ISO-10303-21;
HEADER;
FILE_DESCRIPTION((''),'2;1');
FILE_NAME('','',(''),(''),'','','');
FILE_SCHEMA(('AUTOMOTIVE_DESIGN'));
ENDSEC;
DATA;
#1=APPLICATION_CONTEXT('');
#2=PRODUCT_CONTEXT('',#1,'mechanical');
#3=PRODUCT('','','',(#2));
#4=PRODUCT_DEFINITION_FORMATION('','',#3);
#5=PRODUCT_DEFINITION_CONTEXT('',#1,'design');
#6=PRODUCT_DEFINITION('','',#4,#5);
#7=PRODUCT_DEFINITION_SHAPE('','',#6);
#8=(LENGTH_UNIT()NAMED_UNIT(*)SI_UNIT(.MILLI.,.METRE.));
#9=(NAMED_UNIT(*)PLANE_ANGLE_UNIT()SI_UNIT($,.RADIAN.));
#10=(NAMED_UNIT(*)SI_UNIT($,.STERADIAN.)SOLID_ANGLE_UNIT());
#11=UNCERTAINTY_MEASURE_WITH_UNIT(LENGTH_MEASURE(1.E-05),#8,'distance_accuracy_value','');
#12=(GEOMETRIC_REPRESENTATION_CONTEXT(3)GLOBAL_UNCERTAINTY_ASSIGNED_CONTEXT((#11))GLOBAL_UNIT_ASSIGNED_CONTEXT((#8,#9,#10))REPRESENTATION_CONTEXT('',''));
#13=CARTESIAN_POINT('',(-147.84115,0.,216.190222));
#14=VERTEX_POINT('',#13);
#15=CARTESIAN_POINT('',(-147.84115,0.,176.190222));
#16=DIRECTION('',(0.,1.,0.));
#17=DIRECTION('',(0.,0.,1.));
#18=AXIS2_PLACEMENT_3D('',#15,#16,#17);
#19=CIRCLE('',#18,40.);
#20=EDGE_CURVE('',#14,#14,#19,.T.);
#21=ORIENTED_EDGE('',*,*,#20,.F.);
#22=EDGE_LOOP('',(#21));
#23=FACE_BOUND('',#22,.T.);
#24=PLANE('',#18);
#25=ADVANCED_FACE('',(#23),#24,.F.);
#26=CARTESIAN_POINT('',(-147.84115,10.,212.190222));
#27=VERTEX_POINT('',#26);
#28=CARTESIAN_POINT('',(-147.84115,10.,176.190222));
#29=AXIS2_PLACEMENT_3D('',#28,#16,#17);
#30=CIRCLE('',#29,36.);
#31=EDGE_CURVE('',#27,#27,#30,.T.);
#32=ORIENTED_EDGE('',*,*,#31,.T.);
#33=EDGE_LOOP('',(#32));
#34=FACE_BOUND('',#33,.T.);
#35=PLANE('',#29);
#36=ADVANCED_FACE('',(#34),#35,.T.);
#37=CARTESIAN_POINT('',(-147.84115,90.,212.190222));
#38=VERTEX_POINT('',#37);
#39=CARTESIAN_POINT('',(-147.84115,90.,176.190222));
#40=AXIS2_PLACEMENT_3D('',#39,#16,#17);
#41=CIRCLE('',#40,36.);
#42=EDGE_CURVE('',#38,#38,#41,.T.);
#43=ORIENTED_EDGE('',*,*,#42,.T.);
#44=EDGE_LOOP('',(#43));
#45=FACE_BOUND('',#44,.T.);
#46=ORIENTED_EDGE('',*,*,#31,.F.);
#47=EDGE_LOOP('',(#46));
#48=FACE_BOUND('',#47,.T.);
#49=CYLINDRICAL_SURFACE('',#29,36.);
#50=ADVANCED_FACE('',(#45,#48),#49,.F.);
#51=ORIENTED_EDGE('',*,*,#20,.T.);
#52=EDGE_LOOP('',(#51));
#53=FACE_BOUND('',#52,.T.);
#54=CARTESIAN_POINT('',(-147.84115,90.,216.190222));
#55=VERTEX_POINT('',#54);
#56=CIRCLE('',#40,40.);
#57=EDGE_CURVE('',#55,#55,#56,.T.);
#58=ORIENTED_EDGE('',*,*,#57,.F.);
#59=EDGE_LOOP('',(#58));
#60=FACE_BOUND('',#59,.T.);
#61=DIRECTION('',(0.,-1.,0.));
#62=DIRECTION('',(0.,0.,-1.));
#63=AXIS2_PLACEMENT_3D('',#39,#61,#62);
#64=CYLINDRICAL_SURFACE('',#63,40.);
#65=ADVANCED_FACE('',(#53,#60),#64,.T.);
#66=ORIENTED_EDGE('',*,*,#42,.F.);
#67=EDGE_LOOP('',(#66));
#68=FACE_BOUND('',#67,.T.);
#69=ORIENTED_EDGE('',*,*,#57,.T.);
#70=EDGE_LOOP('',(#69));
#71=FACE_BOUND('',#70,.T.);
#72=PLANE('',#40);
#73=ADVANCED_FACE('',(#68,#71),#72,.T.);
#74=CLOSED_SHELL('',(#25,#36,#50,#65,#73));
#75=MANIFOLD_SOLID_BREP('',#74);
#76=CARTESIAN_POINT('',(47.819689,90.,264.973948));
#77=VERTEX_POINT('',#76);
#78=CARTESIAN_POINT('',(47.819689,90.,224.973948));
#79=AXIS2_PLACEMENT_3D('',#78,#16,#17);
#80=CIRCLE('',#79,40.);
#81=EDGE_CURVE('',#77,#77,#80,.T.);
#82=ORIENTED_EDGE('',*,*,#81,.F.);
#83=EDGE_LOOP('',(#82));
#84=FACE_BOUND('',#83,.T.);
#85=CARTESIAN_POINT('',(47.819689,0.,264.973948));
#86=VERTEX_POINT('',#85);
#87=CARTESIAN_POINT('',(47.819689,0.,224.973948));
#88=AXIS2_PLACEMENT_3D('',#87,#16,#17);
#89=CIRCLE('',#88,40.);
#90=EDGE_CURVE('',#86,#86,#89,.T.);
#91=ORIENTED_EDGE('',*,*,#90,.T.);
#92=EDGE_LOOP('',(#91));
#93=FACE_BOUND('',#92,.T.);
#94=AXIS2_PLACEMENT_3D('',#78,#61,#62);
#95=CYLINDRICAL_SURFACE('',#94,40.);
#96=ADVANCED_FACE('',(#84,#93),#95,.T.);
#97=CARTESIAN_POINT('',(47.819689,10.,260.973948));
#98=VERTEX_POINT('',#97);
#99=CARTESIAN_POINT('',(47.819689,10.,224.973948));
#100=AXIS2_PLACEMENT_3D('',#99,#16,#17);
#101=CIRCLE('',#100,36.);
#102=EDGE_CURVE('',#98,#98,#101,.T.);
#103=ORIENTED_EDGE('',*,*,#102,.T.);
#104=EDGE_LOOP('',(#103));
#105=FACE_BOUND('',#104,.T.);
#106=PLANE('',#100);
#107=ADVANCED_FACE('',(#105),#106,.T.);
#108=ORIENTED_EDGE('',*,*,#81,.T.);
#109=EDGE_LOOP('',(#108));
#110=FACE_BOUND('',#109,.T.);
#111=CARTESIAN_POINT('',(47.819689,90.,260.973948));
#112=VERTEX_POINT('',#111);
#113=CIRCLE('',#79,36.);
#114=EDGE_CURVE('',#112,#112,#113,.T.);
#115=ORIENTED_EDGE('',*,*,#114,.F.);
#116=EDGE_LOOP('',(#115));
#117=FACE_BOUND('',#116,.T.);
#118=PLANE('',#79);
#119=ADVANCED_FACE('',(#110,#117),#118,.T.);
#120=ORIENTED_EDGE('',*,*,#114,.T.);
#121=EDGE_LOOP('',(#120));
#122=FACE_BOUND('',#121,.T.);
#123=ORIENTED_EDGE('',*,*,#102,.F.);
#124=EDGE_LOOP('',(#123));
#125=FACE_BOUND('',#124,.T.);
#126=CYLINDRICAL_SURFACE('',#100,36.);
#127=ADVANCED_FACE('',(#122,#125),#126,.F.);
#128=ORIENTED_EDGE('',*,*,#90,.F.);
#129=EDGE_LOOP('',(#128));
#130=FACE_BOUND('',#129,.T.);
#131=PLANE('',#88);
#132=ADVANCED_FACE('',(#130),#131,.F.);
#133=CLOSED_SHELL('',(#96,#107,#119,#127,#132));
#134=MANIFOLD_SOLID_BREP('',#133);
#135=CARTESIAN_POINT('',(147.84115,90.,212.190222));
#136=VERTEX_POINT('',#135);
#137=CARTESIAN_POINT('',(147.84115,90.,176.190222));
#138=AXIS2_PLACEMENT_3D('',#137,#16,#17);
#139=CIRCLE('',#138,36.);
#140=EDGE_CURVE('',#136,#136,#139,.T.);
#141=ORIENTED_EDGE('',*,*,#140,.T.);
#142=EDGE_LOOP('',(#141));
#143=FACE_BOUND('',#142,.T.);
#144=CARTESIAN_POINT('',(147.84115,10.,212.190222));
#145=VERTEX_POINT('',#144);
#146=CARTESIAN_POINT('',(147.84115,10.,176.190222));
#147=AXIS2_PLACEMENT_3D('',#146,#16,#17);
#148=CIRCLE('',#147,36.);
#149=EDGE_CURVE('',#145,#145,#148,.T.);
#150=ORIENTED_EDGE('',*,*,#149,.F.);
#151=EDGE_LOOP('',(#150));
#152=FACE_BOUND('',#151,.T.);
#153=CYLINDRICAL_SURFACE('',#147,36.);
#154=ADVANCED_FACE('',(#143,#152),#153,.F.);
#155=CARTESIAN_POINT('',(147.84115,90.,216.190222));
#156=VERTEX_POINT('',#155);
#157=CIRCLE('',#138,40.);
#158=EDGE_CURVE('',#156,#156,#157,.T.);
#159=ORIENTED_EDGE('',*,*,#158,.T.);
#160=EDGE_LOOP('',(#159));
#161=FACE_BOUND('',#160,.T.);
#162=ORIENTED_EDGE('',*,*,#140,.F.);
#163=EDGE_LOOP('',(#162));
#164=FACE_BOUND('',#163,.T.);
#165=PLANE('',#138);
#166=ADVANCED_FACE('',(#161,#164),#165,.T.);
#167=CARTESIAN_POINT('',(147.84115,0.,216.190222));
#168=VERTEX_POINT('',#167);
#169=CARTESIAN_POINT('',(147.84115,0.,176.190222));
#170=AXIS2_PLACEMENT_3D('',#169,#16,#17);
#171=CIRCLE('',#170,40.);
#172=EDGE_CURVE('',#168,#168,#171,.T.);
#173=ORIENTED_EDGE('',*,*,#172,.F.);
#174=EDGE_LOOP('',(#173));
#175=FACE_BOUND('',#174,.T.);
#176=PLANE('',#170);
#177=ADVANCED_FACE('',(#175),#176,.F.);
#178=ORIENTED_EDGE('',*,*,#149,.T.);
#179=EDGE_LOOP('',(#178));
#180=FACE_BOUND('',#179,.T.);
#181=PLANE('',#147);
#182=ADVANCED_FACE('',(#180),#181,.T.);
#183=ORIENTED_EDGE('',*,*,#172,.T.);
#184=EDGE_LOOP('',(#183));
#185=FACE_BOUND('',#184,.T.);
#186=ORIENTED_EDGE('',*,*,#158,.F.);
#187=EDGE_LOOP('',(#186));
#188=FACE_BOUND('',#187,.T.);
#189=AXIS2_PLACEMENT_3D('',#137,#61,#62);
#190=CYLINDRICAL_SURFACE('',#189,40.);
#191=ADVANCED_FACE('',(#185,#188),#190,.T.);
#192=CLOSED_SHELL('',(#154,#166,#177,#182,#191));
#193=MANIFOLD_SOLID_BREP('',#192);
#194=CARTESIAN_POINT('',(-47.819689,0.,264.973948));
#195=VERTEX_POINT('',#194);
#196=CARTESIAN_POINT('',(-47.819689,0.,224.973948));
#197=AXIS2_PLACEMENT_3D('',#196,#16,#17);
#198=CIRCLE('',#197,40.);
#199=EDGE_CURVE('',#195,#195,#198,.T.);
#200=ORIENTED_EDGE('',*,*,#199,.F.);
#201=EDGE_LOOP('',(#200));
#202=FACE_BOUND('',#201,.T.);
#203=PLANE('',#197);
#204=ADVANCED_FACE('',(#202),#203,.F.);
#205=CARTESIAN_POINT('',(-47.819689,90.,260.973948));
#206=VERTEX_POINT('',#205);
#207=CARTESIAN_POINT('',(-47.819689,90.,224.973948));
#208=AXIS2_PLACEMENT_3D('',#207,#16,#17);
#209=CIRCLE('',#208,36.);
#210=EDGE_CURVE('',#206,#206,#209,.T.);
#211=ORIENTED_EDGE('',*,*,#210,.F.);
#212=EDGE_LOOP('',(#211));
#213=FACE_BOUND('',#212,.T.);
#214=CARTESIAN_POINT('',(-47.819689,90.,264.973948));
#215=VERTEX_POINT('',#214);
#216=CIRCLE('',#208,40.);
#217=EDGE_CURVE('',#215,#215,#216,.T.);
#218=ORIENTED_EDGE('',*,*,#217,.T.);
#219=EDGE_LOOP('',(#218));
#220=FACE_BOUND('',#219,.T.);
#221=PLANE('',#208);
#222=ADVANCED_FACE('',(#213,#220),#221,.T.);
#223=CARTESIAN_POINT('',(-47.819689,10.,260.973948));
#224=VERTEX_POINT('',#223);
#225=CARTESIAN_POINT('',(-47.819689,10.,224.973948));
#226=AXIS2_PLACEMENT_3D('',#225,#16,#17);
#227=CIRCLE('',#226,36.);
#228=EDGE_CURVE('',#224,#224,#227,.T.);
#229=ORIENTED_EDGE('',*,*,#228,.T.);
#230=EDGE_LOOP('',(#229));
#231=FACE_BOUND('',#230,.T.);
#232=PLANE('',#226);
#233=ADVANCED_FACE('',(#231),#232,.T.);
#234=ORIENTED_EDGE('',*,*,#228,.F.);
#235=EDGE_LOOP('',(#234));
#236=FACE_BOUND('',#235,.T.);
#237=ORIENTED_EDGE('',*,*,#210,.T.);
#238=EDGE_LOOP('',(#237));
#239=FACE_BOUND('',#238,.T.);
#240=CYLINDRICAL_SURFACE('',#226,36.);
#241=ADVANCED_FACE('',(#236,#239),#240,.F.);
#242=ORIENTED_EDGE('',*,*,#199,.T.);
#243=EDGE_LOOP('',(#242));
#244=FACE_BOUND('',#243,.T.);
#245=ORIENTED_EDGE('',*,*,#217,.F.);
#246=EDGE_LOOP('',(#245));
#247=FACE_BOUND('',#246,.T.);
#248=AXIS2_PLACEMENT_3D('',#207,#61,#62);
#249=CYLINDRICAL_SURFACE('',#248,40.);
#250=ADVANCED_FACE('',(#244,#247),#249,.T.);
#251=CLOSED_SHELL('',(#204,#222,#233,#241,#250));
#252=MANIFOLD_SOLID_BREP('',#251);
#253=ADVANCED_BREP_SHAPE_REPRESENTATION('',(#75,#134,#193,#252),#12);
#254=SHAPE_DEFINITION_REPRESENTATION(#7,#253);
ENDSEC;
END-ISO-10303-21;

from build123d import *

# Parameters (mm, degrees)
SKETCH1_R             = 40
BOSS_EXTRUDE2_DEPTH   = 90
BOSS_EXTRUDE2_2_DEPTH = 90
BOSS_EXTRUDE2_3_DEPTH = 90
BOSS_EXTRUDE2_4_DEPTH = 90
SKETCH2_R             = 36
CUT_EXTRUDE1_DEPTH    = 80


with BuildPart() as part:
    # Sketch1 → Boss-Extrude2 (new body)
    with BuildSketch(Plane(origin=(0, 0, 0), x_dir=(1, 0, 0), z_dir=(0, 1, 0))):
        with Locations((-147.841150228, -176.190221917)):
            Circle(SKETCH1_R)
    extrude(amount=BOSS_EXTRUDE2_DEPTH)


with BuildPart() as body_2:
    # Sketch1 → Boss-Extrude2 2 (new body)
    with BuildSketch(Plane(origin=(0, 0, 0), x_dir=(1, 0, 0), z_dir=(0, 1, 0))):
        with Locations((-47.819688888, -224.973948169)):
            Circle(SKETCH1_R)
    extrude(amount=BOSS_EXTRUDE2_2_DEPTH)


with BuildPart() as body_3:
    # Sketch1 → Boss-Extrude2 3 (new body)
    with BuildSketch(Plane(origin=(0, 0, 0), x_dir=(1, 0, 0), z_dir=(0, 1, 0))):
        with Locations((47.819688888, -224.973948169)):
            Circle(SKETCH1_R)
    extrude(amount=BOSS_EXTRUDE2_3_DEPTH)


with BuildPart() as body_4:
    # Sketch1 → Boss-Extrude2 4 (new body)
    with BuildSketch(Plane(origin=(0, 0, 0), x_dir=(1, 0, 0), z_dir=(0, 1, 0))):
        with Locations((147.841150228, -176.190221917)):
            Circle(SKETCH1_R)
    extrude(amount=BOSS_EXTRUDE2_4_DEPTH)


with BuildPart() as cut_extrude1_tool:
    # Sketch2 → Cut-Extrude1 (new body)
    with BuildSketch(Plane(origin=(0, 90, 0), x_dir=(1, 0, 0), z_dir=(0, 1, 0))):
        with Locations((-47.819688888, -224.973948169)):
            Circle(SKETCH2_R)
        with Locations((-147.841150228, -176.190221917)):
            Circle(SKETCH2_R)
        with Locations((47.819688888, -224.973948169)):
            Circle(SKETCH2_R)
        with Locations((147.841150228, -176.190221917)):
            Circle(SKETCH2_R)
    extrude(amount=-CUT_EXTRUDE1_DEPTH)


with BuildPart() as part_1:
    add(part.part)

    # Cut-Extrude1: cut by cut_extrude1_tool
    add(cut_extrude1_tool.part, mode=Mode.SUBTRACT)


with BuildPart() as body_2_1:
    add(body_2.part)

    # Cut-Extrude1: cut by cut_extrude1_tool
    add(cut_extrude1_tool.part, mode=Mode.SUBTRACT)


with BuildPart() as body_3_1:
    add(body_3.part)

    # Cut-Extrude1: cut by cut_extrude1_tool
    add(cut_extrude1_tool.part, mode=Mode.SUBTRACT)


with BuildPart() as body_4_1:
    add(body_4.part)

    # Cut-Extrude1: cut by cut_extrude1_tool
    add(cut_extrude1_tool.part, mode=Mode.SUBTRACT)


solid = Compound([part_1.part, body_2_1.part, body_3_1.part, body_4_1.part])
